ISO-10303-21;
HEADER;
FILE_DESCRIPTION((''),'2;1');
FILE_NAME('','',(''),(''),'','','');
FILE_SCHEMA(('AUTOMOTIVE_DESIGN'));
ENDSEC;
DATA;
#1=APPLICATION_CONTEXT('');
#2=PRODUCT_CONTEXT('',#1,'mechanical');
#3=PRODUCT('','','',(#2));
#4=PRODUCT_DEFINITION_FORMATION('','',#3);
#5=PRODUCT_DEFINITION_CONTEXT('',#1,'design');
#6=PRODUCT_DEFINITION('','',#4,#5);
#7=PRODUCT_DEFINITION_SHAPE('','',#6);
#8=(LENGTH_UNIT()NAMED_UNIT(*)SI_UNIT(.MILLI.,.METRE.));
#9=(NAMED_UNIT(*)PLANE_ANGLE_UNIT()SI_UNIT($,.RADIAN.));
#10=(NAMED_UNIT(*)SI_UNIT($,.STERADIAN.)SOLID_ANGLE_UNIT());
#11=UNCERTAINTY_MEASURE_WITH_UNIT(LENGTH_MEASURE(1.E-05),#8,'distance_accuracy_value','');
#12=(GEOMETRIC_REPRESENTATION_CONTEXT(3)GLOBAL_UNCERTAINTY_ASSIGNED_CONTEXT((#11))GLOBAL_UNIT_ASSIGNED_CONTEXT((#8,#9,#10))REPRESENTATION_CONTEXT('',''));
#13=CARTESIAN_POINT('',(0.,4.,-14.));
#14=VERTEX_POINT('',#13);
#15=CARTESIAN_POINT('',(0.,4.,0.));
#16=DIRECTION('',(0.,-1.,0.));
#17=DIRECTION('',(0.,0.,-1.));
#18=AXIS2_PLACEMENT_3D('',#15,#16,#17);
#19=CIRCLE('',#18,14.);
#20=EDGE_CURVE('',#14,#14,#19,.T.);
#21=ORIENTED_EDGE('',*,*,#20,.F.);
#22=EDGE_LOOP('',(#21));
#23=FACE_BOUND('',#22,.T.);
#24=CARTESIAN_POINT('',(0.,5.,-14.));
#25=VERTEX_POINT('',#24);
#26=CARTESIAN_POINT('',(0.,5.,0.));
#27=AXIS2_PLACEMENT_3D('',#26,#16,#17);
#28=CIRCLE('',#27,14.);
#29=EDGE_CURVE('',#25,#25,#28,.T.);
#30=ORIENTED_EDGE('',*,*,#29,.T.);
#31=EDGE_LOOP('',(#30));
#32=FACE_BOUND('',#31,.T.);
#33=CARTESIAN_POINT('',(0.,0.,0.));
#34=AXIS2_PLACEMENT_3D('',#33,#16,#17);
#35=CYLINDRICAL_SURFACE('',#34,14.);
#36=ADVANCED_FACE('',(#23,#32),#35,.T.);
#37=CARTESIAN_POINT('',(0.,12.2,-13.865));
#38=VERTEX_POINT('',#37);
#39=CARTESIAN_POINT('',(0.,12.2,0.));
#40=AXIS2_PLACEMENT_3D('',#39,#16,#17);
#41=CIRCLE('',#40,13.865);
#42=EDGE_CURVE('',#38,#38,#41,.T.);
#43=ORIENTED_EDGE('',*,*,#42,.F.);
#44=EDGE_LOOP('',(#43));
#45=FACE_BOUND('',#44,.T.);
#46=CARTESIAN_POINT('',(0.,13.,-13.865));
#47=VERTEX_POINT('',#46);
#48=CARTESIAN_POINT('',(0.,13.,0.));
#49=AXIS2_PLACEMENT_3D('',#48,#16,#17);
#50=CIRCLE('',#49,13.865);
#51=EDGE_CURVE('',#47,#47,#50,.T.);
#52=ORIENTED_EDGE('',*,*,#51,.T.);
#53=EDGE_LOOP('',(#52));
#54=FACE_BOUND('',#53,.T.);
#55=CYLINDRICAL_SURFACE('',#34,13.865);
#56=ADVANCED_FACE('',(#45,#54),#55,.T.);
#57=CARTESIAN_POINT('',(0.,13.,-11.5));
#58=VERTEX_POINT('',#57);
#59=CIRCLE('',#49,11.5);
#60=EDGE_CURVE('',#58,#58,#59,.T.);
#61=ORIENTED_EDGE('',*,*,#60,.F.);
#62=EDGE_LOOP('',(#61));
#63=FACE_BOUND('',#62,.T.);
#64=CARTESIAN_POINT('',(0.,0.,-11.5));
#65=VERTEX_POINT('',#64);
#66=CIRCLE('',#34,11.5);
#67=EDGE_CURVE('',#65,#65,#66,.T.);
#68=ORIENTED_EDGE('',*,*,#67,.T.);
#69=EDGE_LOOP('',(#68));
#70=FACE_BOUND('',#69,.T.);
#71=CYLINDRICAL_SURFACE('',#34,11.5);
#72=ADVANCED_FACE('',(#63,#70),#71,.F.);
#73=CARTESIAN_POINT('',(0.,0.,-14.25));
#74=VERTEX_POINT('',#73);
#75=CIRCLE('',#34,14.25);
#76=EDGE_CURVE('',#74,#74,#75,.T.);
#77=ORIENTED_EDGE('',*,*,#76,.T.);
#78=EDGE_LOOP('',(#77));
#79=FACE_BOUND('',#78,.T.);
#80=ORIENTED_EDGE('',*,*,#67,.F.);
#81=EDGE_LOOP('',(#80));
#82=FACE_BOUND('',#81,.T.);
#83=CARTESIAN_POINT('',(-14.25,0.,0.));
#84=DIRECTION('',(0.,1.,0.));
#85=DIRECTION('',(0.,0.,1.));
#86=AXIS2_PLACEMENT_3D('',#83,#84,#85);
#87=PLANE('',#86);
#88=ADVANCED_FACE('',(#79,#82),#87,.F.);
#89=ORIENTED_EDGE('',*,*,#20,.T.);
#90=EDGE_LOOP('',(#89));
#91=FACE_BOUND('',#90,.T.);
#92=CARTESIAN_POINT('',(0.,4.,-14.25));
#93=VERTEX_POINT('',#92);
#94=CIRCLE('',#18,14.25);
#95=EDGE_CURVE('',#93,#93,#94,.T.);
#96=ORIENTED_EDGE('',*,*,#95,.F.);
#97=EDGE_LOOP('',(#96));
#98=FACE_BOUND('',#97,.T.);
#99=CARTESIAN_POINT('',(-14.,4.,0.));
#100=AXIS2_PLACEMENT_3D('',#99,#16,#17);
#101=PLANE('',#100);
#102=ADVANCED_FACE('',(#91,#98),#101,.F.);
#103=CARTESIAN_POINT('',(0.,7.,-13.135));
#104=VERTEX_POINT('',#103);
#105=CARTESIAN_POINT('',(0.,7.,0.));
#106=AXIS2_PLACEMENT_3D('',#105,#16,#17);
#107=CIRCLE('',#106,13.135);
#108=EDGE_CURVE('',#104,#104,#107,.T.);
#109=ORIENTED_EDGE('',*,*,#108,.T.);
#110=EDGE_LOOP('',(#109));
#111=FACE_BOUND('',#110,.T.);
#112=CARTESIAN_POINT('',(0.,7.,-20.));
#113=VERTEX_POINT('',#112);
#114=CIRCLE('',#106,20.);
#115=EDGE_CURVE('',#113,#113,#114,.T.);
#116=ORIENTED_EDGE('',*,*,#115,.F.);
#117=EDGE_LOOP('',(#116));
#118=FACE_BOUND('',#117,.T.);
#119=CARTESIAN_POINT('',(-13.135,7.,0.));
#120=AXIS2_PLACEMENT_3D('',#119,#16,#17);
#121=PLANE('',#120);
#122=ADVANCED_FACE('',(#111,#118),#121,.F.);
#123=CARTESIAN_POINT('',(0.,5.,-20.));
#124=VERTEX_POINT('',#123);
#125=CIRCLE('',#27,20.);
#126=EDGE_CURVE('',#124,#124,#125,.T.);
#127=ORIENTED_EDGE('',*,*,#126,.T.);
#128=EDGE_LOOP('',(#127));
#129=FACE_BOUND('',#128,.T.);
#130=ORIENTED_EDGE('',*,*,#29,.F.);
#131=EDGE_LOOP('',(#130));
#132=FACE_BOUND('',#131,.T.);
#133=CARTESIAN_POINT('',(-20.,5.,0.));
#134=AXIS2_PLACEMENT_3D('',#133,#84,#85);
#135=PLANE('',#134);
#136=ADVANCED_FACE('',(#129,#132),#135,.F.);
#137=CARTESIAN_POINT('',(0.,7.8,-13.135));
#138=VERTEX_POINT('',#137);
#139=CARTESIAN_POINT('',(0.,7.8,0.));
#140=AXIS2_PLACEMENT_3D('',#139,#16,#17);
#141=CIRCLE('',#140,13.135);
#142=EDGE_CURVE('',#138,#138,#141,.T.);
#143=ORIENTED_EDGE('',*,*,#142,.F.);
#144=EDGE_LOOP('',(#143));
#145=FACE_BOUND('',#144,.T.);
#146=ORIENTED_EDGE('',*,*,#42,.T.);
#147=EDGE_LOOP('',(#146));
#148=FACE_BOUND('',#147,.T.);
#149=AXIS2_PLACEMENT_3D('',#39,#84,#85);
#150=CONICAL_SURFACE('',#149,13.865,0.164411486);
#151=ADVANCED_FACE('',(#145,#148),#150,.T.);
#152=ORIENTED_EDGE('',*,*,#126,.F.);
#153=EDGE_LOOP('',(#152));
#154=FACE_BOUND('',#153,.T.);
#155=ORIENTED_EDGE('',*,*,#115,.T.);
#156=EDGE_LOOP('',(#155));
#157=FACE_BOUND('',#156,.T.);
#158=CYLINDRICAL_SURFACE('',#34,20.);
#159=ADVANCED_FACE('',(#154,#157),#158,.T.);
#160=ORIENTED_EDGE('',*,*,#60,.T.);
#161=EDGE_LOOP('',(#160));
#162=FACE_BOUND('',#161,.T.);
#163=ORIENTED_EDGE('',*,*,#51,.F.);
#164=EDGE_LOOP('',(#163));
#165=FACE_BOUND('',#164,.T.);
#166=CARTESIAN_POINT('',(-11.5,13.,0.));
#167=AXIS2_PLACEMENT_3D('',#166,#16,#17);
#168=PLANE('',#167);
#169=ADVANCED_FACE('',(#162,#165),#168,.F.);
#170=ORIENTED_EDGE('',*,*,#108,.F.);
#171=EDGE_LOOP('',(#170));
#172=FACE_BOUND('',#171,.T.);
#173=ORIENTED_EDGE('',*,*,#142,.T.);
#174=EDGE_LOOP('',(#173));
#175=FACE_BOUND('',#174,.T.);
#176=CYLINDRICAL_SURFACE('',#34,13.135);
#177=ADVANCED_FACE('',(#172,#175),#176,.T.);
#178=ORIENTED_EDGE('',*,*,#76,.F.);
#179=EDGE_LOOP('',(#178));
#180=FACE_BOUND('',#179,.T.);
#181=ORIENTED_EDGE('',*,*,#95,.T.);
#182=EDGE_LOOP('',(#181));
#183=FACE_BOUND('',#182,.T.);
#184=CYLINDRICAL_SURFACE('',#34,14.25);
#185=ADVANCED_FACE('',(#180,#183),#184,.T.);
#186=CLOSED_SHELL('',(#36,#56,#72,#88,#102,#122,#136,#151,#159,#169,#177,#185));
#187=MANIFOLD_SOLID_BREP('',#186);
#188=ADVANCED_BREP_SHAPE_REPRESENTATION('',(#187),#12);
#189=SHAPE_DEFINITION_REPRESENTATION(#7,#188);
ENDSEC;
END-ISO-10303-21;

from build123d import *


with BuildPart() as part:
    # 草图1 → 旋转1 (revolve)
    with BuildSketch(Plane.XY, mode=Mode.PRIVATE) as revolve_1_sk:
        Polygon((-11.5, 0), (-11.5, 13), (-13.865, 13), (-13.865, 12.2), (-13.135, 7.8), (-13.135, 7), (-20, 7), (-20, 5), (-14, 5), (-14, 4), (-14.25, 4), (-14.25, 0), align=None)
    revolve(revolve_1_sk.sketch.rotate(Axis((0, 0, 0), (0, 1, 0)), 270), axis=Axis((0, 0, 0), (0, 1, 0)))  # turned: the seam where the file's is


solid = part.part
